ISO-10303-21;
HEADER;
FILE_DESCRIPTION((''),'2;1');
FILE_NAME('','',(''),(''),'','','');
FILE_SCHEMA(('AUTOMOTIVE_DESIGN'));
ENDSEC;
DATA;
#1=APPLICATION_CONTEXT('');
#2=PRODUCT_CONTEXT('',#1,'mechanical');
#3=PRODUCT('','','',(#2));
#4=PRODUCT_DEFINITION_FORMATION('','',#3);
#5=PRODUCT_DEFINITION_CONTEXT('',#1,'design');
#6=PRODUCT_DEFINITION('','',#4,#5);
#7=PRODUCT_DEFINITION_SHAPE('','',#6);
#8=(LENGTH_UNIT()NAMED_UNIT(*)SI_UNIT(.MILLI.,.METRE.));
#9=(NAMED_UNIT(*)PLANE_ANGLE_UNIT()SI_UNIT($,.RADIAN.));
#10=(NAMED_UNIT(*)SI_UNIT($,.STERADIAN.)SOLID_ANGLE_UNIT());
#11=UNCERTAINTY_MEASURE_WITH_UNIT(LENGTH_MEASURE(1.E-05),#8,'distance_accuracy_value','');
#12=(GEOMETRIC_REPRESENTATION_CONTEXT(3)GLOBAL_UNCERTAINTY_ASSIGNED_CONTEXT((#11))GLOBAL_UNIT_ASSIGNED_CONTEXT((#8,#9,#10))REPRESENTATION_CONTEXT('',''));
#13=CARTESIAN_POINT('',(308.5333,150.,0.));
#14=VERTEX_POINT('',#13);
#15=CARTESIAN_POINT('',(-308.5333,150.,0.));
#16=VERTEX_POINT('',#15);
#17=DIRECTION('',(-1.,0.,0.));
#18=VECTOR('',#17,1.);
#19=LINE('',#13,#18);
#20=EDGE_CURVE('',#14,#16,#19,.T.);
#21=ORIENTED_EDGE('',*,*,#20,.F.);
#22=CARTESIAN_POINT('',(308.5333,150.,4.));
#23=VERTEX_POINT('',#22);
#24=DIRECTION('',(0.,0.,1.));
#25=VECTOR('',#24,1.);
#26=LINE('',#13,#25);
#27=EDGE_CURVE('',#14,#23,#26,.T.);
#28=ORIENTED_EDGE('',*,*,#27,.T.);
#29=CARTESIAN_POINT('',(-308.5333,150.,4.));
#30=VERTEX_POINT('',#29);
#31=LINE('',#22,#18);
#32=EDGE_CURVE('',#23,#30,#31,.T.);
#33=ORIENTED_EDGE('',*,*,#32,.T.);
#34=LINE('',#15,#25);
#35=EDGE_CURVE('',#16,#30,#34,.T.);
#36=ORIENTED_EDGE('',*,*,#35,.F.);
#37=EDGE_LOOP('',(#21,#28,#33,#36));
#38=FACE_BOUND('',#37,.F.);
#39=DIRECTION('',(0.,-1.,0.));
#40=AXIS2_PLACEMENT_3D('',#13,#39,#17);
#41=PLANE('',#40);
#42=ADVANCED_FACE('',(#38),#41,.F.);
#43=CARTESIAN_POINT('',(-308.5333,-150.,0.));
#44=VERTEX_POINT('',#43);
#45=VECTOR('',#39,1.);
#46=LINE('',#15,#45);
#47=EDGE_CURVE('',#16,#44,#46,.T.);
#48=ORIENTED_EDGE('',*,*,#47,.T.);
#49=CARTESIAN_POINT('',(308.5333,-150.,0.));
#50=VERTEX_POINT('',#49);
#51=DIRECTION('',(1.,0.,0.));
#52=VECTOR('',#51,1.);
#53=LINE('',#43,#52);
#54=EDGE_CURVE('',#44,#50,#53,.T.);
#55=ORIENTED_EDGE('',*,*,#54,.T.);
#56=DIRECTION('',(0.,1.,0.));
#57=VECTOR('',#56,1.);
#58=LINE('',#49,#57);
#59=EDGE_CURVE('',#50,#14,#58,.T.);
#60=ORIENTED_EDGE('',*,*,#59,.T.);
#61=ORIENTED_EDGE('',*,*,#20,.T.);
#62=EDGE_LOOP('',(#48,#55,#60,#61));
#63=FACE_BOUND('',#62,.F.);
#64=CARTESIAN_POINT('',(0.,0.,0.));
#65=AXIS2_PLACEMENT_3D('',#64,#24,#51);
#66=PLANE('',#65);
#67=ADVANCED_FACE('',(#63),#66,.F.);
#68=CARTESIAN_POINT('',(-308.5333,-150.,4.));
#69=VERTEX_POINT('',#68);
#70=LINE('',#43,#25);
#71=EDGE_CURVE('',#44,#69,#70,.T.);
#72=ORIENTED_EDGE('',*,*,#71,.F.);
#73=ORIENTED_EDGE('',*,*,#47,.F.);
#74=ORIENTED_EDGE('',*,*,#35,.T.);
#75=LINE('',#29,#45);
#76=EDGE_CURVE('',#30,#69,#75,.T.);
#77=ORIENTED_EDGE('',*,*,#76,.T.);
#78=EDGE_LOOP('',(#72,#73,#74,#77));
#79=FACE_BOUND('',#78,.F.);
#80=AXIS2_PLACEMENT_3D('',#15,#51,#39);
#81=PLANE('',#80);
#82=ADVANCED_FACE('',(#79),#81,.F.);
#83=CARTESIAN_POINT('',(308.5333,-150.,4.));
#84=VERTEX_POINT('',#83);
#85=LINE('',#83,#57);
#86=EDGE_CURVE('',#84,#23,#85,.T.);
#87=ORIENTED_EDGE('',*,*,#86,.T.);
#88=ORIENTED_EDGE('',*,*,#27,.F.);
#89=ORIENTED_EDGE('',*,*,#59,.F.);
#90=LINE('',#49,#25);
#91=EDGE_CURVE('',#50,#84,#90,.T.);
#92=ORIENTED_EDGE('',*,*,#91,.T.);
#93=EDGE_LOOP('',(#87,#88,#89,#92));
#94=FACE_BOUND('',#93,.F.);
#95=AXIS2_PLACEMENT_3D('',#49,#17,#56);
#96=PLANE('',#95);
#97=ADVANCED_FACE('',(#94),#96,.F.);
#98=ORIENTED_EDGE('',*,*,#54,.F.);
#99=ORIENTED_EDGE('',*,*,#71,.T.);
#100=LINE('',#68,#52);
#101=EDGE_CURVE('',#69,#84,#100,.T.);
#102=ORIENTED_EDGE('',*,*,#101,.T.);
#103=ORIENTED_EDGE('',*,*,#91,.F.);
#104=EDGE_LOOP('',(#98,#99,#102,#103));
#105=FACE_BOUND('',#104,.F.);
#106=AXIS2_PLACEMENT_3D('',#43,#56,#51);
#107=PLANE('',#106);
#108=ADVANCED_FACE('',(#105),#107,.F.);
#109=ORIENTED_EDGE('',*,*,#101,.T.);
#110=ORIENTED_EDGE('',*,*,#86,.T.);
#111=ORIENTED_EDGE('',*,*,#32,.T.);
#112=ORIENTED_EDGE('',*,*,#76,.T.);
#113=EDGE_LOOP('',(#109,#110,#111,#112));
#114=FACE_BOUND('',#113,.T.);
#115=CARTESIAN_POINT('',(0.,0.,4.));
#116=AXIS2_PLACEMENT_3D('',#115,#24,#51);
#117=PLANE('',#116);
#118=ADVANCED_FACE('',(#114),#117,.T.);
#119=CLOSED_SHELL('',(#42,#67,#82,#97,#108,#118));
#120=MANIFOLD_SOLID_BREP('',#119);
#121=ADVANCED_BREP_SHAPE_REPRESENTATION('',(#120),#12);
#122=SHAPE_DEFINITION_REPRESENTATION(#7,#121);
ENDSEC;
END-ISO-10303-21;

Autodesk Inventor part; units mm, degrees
ref_plane "YZ Plane" through (0, 0, 0) normal (1, 0, 0) x (0, 1, 0)
ref_plane "XZ Plane" through (0, 0, 0) normal (0, 1, 0) x (-1, 0, 0)
ref_plane "XY Plane" through (0, 0, 0) normal (0, 0, 1) x (1, 0, 0)
sketch "スケッチ1" plane through (0, 0, 0) normal (0, 0, 1) x (1, 0, 0)
  line L0 (-308.5333, -150) -> (308.5333, -150)
  line L1 (308.5333, -150) -> (308.5333, 150)
  line L2 (308.5333, 150) -> (-308.5333, 150)
  line L3 (-308.5333, 150) -> (-308.5333, -150)
  line L4 (-308.5333, -150) -> (308.5333, 150) construction
  line L5 (308.5333, -150) -> (-308.5333, 150) construction
  point P0 (0, 0)
  dimension "d0" = 617.0667
  dimension "d1" = 300
extrude "押し出し1" add sketch "スケッチ1" along normal blind 4
properties part number "左右"
